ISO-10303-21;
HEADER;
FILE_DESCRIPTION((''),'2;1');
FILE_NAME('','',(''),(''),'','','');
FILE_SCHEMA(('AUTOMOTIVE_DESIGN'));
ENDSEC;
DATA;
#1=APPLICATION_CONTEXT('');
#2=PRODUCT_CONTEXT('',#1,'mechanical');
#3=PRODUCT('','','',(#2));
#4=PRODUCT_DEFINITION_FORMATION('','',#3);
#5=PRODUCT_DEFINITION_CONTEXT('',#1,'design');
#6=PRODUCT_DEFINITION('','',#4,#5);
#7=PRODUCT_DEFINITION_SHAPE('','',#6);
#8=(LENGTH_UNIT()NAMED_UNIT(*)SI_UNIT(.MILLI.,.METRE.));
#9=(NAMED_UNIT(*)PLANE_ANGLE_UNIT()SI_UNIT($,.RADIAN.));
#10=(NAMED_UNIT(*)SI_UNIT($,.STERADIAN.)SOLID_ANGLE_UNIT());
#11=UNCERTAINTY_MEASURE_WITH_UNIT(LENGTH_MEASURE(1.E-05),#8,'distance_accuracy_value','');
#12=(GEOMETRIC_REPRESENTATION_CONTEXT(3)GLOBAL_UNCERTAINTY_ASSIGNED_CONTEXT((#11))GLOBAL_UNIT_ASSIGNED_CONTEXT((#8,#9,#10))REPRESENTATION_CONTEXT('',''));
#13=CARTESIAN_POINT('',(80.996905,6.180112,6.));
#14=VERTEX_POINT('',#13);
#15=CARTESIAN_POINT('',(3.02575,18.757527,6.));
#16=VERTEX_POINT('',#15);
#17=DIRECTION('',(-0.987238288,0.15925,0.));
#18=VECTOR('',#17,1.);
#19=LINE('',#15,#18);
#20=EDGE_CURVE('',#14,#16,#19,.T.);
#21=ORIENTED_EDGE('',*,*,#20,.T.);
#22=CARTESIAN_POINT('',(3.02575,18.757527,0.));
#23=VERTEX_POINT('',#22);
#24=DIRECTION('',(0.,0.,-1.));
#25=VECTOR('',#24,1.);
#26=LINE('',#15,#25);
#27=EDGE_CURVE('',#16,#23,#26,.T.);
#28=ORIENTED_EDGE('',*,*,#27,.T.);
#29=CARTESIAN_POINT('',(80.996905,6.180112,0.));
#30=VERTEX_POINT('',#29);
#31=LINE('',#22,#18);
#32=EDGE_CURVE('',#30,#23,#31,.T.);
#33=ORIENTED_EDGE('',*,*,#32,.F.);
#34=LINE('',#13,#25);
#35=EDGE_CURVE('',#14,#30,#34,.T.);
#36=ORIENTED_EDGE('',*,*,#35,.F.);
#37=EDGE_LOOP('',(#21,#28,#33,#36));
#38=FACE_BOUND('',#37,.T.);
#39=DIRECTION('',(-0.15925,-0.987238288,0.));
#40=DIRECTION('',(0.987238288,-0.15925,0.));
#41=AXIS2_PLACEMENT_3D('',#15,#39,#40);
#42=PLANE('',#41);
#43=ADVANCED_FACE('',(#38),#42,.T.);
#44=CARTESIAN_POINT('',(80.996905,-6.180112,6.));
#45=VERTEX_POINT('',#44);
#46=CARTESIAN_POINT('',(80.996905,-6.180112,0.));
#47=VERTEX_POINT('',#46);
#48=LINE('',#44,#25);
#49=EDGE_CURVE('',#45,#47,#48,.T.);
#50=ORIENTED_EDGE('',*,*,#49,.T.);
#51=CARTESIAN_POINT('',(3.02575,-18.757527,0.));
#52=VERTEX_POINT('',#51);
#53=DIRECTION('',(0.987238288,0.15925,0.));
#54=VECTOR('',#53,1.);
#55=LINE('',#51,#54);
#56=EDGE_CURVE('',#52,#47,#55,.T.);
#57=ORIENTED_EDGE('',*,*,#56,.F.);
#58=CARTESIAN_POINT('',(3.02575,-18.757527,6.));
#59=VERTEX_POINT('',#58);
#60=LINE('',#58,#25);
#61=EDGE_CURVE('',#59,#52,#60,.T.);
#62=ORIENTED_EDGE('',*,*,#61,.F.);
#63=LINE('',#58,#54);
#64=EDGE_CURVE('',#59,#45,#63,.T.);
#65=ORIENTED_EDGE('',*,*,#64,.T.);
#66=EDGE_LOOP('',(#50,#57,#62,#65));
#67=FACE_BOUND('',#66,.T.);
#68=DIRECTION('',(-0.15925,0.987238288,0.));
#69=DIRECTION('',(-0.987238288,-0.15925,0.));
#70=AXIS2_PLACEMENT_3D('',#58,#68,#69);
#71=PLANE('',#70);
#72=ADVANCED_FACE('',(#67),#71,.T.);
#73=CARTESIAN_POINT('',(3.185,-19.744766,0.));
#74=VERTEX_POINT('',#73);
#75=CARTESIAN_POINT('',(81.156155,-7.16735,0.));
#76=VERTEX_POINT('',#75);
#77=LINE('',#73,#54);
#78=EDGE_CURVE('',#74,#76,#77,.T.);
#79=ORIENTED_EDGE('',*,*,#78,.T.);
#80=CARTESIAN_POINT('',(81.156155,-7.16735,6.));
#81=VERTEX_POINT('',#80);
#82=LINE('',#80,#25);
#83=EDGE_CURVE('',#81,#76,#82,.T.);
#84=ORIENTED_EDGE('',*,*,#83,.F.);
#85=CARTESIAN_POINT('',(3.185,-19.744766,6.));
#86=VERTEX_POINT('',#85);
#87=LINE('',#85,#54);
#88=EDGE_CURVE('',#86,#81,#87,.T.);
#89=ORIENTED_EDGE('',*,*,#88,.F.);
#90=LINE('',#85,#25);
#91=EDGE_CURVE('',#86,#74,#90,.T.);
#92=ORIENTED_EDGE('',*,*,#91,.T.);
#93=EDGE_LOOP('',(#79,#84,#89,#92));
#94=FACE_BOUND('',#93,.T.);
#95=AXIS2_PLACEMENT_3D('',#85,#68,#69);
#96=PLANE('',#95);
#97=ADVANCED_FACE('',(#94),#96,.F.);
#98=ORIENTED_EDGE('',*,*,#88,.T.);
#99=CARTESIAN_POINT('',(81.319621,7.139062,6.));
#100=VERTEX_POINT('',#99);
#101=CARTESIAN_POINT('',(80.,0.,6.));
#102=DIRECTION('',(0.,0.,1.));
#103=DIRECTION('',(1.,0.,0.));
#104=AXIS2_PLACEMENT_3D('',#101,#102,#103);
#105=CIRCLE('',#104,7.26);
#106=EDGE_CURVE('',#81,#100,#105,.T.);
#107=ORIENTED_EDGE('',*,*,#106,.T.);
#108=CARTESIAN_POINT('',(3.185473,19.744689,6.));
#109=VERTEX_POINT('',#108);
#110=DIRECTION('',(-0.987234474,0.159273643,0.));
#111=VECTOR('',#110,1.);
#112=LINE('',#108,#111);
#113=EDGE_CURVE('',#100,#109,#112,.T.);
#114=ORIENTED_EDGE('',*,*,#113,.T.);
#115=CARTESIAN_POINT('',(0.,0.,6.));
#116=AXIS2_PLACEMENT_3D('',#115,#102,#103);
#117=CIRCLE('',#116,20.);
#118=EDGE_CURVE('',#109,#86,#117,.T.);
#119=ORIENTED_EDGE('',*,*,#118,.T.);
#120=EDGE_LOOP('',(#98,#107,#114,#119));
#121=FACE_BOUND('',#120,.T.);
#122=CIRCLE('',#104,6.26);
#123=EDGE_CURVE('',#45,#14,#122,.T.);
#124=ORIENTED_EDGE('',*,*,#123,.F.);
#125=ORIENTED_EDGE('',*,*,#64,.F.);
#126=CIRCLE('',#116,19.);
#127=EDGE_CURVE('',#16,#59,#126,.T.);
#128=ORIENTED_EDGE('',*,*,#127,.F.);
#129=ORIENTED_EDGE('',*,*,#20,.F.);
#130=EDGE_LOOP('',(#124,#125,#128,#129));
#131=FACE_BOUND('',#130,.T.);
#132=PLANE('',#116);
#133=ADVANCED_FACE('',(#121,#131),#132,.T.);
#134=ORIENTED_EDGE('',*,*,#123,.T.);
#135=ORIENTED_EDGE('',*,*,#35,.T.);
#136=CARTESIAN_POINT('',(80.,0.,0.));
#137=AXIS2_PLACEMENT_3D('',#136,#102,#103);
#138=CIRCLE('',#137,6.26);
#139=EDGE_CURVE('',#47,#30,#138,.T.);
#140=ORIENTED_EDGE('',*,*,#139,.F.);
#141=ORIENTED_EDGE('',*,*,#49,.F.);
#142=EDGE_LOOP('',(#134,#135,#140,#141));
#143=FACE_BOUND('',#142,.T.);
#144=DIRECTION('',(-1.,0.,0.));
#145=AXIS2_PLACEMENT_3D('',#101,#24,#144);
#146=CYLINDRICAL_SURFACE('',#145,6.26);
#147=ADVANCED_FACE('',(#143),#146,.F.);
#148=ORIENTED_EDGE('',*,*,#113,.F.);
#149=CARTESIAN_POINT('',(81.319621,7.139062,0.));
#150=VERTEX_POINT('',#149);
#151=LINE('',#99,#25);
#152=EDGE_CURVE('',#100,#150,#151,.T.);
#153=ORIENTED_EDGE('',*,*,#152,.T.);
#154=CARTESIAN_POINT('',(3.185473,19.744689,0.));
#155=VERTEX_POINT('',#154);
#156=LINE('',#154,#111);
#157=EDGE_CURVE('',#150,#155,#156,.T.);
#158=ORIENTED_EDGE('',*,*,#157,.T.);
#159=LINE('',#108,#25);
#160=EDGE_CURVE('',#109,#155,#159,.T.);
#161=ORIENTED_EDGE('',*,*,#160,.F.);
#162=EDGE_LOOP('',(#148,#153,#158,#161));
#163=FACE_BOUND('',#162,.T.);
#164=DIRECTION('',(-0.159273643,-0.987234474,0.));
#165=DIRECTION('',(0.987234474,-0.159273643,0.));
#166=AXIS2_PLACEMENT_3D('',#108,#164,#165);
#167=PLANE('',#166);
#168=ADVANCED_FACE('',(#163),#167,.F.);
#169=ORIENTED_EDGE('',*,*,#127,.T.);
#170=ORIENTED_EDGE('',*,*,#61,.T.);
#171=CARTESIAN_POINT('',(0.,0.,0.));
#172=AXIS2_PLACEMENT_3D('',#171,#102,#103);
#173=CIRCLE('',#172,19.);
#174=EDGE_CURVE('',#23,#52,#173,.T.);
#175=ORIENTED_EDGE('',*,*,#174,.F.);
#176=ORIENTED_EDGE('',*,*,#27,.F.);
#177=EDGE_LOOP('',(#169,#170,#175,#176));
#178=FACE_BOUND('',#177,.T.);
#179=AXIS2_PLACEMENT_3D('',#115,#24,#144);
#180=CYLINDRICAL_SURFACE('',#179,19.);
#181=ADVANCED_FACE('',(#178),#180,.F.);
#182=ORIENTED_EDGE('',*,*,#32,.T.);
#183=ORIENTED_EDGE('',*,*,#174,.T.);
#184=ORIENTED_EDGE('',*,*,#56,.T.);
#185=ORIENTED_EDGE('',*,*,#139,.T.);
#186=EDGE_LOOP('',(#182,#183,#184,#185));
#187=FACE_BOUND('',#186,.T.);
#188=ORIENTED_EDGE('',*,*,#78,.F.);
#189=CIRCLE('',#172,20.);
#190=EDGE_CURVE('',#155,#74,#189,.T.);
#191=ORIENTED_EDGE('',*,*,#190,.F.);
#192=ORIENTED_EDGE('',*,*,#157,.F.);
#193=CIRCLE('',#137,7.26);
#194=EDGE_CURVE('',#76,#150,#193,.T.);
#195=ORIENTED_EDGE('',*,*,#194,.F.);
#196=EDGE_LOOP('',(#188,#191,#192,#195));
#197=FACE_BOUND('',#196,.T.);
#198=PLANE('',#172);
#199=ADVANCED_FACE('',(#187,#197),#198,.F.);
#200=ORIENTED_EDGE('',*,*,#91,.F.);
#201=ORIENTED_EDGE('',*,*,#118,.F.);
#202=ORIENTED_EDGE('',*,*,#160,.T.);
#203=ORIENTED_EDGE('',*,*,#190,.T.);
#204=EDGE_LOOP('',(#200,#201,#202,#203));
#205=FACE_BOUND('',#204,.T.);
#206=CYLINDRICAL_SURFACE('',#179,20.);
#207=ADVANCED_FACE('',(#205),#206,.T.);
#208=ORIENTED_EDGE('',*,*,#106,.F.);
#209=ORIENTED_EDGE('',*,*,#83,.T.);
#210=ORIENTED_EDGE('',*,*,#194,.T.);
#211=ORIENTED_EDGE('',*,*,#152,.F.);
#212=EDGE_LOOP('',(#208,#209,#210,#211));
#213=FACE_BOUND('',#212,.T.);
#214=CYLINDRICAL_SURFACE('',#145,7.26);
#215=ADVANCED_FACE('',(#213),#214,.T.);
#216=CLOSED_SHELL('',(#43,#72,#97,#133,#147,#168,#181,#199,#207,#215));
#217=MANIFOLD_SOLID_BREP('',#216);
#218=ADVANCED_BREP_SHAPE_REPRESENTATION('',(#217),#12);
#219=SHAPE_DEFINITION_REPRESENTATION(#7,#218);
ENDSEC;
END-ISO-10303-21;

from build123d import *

# Parameters (mm, degrees)
P_IDAT_VYSUNUT_M1_DEPTH = 6


with BuildPart() as part:
    # Skica1 → Přidat vysunutím1 (new body)
    with BuildSketch(Plane.XY):
        with BuildLine():
            Line((3.185, -19.744765762), (81.156155, -7.167349972))
            ThreePointArc((81.156155, -7.167349972), (87.259526133, -0.082947734), (81.319620825, 7.139061625))
            Line((81.319620825, 7.139061625), (3.185472859, 19.74468948))
            ThreePointArc((3.185472859, 19.74468948), (-19.999999999, 0.000239486), (3.185, -19.744765762))
        make_face()
        with BuildLine():
            Line((3.02575, -18.757527474), (80.996905, -6.180111684))
            ThreePointArc((80.996905, -6.180111684), (86.26, 0), (80.996905, 6.180111684))
            Line((80.996905, 6.180111684), (3.02575, 18.757527474))
            ThreePointArc((3.02575, 18.757527474), (-19, 0), (3.02575, -18.757527474))
        make_face(mode=Mode.SUBTRACT)
    extrude(amount=P_IDAT_VYSUNUT_M1_DEPTH)


solid = part.part
